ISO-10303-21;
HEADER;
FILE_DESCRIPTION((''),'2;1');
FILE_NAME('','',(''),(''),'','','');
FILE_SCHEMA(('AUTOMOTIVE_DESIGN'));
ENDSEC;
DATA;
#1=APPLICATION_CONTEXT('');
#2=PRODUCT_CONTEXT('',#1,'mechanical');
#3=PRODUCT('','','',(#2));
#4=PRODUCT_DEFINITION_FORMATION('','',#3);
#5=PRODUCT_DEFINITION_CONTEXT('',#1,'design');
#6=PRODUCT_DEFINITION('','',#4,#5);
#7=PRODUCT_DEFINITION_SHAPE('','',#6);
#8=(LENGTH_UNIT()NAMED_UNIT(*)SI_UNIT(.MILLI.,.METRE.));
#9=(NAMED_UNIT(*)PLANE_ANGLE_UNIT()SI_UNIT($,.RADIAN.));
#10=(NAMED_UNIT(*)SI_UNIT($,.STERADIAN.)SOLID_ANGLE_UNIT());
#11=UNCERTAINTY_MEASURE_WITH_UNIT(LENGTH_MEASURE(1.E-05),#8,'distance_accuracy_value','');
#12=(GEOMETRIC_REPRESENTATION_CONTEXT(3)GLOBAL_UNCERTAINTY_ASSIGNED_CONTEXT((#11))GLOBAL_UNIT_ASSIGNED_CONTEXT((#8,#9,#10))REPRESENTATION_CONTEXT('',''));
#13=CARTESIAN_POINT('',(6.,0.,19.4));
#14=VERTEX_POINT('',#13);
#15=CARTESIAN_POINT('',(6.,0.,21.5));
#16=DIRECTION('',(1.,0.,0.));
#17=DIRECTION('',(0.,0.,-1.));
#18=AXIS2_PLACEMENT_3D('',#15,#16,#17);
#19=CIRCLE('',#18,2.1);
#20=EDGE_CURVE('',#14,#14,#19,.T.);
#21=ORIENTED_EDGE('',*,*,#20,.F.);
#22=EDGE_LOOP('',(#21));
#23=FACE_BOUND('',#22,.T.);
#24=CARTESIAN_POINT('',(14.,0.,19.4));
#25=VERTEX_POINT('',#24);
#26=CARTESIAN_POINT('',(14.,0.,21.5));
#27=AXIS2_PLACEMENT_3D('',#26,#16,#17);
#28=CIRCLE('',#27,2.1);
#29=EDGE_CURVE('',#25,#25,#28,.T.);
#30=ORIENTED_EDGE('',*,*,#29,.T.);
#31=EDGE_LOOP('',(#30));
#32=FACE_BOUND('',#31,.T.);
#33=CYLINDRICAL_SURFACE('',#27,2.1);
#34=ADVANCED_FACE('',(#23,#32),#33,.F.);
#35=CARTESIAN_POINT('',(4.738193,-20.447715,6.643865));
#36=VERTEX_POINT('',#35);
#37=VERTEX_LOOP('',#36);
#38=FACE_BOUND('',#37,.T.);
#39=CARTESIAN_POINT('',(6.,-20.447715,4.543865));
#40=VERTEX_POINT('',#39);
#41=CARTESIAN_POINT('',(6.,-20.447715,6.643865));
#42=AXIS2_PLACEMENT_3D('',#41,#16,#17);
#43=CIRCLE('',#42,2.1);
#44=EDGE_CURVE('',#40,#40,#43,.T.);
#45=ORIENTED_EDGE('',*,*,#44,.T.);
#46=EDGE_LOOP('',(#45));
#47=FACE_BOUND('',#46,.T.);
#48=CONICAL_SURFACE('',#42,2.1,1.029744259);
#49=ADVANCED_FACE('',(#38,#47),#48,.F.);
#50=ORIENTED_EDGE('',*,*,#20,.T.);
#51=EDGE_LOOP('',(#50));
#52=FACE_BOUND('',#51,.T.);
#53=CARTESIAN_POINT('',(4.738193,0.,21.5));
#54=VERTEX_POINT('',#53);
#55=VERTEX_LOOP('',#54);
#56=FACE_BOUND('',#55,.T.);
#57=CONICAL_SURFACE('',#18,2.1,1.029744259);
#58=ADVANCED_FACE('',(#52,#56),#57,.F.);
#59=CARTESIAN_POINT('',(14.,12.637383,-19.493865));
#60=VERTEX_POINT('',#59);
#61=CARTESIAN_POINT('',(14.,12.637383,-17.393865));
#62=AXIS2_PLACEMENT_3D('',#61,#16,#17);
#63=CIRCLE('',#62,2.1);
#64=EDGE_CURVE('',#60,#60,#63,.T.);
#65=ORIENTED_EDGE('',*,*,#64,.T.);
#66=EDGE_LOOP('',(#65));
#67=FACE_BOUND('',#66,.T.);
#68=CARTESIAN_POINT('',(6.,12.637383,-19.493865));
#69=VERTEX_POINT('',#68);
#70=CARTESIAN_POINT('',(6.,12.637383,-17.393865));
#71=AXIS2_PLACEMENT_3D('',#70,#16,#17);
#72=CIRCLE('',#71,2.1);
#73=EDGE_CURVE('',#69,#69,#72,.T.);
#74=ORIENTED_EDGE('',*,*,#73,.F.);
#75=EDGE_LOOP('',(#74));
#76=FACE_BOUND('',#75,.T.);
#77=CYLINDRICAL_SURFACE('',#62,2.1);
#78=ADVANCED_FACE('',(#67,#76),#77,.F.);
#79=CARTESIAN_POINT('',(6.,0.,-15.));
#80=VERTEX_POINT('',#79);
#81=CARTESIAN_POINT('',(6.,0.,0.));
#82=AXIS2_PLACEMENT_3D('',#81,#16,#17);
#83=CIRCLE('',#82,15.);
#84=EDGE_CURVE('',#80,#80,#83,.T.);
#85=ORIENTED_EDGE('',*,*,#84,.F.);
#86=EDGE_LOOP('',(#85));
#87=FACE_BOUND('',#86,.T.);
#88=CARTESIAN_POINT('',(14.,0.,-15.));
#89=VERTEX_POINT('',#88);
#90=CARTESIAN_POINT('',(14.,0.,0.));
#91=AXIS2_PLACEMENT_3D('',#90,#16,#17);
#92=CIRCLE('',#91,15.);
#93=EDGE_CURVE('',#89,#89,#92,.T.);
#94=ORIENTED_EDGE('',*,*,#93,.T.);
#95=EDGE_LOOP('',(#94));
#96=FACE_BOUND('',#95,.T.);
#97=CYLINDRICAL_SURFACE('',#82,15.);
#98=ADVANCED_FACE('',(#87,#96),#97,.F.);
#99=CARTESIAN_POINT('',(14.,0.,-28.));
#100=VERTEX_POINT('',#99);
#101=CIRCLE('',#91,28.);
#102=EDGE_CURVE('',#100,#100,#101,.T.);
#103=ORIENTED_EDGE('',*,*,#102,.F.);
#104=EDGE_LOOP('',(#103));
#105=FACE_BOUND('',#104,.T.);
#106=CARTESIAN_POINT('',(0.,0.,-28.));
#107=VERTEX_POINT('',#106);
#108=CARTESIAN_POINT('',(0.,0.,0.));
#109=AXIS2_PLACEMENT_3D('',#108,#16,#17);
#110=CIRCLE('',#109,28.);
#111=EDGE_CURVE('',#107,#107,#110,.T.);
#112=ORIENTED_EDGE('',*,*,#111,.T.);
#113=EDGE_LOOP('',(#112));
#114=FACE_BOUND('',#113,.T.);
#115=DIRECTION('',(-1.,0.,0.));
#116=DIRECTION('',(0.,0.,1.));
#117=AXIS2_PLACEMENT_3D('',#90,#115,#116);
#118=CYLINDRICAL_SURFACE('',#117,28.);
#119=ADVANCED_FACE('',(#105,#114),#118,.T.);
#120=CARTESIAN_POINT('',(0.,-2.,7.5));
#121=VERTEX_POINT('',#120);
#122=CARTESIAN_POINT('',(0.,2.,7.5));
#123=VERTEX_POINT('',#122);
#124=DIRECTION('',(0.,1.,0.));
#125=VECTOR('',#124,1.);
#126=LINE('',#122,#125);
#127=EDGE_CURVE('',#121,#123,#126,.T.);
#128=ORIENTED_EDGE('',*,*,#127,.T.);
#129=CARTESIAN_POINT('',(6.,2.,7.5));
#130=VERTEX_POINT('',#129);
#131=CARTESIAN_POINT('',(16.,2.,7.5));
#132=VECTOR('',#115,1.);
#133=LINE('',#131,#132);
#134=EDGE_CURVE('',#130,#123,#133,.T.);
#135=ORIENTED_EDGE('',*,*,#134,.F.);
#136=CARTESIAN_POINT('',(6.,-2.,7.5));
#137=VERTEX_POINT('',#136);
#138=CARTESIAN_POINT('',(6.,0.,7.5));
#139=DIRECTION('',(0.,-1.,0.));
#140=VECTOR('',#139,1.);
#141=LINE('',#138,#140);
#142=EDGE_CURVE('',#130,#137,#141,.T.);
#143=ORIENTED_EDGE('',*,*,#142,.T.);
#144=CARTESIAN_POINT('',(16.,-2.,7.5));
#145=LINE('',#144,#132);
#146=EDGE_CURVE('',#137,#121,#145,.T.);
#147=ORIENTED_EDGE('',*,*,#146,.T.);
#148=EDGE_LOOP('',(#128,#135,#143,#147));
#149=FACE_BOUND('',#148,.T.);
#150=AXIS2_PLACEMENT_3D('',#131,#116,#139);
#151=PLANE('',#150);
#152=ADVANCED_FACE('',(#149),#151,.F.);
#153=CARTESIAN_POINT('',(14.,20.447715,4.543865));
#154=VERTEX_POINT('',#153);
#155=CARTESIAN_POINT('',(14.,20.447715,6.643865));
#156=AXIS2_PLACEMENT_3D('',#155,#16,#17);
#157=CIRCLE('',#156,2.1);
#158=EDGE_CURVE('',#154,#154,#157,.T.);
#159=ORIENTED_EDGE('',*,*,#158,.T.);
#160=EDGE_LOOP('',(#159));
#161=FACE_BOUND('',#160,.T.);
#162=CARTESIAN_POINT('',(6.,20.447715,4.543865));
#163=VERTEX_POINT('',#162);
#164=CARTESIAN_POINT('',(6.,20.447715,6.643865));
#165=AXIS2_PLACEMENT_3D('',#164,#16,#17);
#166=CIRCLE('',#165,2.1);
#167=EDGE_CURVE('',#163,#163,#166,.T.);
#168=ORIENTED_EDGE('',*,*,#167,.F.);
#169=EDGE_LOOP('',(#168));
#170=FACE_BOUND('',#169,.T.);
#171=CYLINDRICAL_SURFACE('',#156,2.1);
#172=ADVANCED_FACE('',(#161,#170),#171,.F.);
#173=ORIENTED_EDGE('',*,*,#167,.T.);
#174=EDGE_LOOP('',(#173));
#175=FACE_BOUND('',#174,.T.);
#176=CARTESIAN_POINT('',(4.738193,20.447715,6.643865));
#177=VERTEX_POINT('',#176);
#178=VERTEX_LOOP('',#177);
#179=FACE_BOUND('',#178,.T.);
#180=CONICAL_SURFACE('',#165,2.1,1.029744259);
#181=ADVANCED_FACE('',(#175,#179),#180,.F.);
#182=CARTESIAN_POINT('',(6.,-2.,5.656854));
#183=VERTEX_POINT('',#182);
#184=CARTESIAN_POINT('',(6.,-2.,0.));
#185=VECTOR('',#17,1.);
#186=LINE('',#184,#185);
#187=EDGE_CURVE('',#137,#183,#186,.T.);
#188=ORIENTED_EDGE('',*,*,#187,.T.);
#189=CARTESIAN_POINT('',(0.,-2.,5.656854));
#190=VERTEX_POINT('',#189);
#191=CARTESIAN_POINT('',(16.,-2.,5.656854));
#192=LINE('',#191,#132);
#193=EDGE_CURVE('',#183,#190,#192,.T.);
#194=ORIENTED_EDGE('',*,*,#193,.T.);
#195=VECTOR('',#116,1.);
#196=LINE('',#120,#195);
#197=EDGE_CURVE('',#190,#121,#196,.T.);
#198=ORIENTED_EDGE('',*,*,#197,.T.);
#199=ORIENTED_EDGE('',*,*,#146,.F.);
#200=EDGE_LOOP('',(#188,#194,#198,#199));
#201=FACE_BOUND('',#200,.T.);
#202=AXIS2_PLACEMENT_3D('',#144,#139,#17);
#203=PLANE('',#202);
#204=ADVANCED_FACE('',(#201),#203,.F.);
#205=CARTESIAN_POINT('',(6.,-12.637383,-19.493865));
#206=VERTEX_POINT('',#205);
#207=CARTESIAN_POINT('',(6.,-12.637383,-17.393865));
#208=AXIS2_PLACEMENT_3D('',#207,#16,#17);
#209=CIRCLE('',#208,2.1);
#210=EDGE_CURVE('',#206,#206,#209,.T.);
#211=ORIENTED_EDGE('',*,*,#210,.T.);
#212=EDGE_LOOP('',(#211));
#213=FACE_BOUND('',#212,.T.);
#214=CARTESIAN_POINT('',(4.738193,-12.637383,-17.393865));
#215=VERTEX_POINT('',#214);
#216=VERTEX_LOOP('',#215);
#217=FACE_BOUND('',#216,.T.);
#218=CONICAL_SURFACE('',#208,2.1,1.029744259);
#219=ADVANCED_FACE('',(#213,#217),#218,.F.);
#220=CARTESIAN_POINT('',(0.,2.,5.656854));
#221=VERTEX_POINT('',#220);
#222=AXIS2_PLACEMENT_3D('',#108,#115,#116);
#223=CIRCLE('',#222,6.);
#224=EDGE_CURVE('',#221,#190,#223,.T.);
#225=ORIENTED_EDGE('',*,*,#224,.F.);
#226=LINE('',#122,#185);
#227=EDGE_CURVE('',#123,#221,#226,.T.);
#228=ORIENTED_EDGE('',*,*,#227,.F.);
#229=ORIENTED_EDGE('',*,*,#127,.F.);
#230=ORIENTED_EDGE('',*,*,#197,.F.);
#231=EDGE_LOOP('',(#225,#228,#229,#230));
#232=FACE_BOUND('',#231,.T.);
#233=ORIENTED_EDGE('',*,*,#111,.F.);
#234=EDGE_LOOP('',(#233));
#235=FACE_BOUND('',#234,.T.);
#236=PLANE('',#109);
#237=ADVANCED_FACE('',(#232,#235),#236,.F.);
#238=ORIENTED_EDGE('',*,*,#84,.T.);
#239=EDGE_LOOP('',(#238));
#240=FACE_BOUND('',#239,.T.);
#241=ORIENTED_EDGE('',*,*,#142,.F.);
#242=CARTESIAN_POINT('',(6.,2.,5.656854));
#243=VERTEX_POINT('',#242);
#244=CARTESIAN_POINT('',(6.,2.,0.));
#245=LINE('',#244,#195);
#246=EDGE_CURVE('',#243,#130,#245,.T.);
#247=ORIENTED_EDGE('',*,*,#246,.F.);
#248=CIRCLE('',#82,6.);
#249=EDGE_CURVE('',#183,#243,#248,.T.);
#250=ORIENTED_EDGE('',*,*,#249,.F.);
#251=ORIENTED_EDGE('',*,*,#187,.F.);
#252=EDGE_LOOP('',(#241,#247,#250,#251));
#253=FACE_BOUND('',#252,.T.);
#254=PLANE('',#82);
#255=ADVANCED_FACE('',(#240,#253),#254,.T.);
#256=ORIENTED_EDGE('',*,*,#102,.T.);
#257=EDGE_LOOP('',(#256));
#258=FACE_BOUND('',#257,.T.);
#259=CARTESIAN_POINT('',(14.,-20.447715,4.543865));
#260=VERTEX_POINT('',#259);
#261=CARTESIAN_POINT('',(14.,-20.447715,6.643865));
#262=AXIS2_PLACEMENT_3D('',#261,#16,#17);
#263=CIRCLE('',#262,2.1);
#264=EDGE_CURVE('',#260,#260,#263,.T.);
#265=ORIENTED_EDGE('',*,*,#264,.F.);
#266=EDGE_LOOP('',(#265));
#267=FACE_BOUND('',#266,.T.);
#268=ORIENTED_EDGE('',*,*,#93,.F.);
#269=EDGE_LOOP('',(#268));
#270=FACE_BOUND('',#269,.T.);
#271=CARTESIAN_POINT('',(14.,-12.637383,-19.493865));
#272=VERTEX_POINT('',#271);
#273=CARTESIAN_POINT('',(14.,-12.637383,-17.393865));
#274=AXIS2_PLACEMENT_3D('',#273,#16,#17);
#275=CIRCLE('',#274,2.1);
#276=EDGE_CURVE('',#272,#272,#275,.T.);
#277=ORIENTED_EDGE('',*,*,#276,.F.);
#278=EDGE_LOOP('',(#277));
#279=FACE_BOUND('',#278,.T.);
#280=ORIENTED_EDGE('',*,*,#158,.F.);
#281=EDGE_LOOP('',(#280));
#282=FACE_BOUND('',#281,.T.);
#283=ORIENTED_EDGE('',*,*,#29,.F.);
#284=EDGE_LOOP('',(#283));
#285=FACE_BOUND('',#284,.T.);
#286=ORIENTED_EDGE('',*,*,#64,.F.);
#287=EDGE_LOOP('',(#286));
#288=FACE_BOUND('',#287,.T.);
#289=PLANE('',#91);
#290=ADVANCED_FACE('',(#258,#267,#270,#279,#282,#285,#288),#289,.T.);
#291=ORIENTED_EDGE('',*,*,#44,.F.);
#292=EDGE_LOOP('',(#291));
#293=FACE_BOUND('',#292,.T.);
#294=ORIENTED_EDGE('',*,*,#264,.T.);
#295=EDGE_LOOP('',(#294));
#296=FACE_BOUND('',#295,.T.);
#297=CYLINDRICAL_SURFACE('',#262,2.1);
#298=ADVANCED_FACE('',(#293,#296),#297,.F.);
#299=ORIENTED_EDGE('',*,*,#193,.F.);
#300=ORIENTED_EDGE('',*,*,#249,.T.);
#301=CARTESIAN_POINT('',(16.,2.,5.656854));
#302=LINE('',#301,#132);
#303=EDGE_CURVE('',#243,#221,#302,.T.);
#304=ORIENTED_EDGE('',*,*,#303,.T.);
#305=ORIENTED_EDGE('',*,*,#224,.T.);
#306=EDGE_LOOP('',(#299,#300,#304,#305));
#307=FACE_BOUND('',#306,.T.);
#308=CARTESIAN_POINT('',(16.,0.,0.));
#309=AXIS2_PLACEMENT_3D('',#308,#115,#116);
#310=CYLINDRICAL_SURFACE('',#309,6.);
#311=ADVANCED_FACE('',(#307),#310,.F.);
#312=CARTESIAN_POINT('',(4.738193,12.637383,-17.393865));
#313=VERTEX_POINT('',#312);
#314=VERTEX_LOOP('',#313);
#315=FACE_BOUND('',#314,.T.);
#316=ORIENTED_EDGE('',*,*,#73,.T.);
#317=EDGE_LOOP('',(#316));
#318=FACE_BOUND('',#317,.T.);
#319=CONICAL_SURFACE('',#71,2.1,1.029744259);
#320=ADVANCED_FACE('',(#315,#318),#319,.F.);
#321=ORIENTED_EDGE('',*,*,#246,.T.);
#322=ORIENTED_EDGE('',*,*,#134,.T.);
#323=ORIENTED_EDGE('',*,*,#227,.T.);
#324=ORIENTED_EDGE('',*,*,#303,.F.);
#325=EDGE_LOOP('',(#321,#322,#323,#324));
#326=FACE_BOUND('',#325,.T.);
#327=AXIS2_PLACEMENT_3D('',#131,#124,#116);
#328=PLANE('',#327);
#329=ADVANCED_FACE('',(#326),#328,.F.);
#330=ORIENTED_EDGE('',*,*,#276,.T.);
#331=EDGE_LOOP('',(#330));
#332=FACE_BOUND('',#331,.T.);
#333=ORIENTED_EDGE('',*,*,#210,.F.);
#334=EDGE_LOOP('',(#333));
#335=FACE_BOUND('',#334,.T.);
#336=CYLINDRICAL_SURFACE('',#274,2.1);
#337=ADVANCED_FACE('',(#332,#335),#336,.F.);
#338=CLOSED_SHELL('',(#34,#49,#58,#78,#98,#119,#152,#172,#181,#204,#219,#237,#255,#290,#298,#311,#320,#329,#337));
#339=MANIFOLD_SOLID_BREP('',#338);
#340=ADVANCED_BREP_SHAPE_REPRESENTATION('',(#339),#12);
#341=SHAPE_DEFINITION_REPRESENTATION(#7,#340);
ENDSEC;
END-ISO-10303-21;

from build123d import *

# Parameters (mm, degrees)
SKETCH1_R                 = 28
BOSS_EXTRUDE1_DEPTH       = 14
SKETCH2_R                 = 15
CUT_EXTRUDE1_DEPTH        = 8
CUT_EXTRUDE2_DEPTH        = 16
M5X0_8_TAPPED_HOLE1_D     = 4.2
M5X0_8_TAPPED_HOLE1_DEPTH = 8
M5X0_8_TAPPED_HOLE1_TIP   = 1.2618073


with BuildPart() as part:
    # Sketch1 → Boss-Extrude1 (new body)
    with BuildSketch(Plane.YZ):
        with Locations(Location((0, 0, 0), (0, 0, 270))):
            Circle(SKETCH1_R)
    extrude(amount=BOSS_EXTRUDE1_DEPTH)

    # Sketch2 → Cut-Extrude1 (cut)
    with BuildSketch(Plane.YZ.offset(14)):
        with Locations(Location((0, 0, 0), (0, 0, 270))):
            Circle(SKETCH2_R)
    extrude(amount=-CUT_EXTRUDE1_DEPTH, mode=Mode.SUBTRACT)

    # Sketch3 → Cut-Extrude2 (cut)
    with BuildSketch(Plane(origin=(0, 0, 0), x_dir=(0, -1, 0), z_dir=(-1, 0, 0))):
        with BuildLine():
            Line((-2, 7.5), (2, 7.5))
            Line((2, 7.5), (2, 5.656854249))
            ThreePointArc((2, 5.656854249), (0, -6), (-2, 5.656854249))
            Line((-2, 5.656854249), (-2, 7.5))
        make_face()
    extrude(amount=-CUT_EXTRUDE2_DEPTH, mode=Mode.SUBTRACT)

    # M5x0.8 Tapped Hole1
    with Locations(Plane(origin=(14, -20.4477151, 6.643865379), x_dir=(0, 0, 1), z_dir=(1, 0, 0))):
        with Locations((0, 0), (14.856134621, -20.4477151), (-24.037730758, -7.810332176), (-24.037730758, -33.085098024), (0, -40.8954302)):
            Hole(M5X0_8_TAPPED_HOLE1_D / 2, depth=M5X0_8_TAPPED_HOLE1_DEPTH)
            with Locations((0, 0, -(M5X0_8_TAPPED_HOLE1_DEPTH + M5X0_8_TAPPED_HOLE1_TIP / 2))):  # 118° drill point
                Cone(0, M5X0_8_TAPPED_HOLE1_D / 2, M5X0_8_TAPPED_HOLE1_TIP, mode=Mode.SUBTRACT)


solid = part.part
